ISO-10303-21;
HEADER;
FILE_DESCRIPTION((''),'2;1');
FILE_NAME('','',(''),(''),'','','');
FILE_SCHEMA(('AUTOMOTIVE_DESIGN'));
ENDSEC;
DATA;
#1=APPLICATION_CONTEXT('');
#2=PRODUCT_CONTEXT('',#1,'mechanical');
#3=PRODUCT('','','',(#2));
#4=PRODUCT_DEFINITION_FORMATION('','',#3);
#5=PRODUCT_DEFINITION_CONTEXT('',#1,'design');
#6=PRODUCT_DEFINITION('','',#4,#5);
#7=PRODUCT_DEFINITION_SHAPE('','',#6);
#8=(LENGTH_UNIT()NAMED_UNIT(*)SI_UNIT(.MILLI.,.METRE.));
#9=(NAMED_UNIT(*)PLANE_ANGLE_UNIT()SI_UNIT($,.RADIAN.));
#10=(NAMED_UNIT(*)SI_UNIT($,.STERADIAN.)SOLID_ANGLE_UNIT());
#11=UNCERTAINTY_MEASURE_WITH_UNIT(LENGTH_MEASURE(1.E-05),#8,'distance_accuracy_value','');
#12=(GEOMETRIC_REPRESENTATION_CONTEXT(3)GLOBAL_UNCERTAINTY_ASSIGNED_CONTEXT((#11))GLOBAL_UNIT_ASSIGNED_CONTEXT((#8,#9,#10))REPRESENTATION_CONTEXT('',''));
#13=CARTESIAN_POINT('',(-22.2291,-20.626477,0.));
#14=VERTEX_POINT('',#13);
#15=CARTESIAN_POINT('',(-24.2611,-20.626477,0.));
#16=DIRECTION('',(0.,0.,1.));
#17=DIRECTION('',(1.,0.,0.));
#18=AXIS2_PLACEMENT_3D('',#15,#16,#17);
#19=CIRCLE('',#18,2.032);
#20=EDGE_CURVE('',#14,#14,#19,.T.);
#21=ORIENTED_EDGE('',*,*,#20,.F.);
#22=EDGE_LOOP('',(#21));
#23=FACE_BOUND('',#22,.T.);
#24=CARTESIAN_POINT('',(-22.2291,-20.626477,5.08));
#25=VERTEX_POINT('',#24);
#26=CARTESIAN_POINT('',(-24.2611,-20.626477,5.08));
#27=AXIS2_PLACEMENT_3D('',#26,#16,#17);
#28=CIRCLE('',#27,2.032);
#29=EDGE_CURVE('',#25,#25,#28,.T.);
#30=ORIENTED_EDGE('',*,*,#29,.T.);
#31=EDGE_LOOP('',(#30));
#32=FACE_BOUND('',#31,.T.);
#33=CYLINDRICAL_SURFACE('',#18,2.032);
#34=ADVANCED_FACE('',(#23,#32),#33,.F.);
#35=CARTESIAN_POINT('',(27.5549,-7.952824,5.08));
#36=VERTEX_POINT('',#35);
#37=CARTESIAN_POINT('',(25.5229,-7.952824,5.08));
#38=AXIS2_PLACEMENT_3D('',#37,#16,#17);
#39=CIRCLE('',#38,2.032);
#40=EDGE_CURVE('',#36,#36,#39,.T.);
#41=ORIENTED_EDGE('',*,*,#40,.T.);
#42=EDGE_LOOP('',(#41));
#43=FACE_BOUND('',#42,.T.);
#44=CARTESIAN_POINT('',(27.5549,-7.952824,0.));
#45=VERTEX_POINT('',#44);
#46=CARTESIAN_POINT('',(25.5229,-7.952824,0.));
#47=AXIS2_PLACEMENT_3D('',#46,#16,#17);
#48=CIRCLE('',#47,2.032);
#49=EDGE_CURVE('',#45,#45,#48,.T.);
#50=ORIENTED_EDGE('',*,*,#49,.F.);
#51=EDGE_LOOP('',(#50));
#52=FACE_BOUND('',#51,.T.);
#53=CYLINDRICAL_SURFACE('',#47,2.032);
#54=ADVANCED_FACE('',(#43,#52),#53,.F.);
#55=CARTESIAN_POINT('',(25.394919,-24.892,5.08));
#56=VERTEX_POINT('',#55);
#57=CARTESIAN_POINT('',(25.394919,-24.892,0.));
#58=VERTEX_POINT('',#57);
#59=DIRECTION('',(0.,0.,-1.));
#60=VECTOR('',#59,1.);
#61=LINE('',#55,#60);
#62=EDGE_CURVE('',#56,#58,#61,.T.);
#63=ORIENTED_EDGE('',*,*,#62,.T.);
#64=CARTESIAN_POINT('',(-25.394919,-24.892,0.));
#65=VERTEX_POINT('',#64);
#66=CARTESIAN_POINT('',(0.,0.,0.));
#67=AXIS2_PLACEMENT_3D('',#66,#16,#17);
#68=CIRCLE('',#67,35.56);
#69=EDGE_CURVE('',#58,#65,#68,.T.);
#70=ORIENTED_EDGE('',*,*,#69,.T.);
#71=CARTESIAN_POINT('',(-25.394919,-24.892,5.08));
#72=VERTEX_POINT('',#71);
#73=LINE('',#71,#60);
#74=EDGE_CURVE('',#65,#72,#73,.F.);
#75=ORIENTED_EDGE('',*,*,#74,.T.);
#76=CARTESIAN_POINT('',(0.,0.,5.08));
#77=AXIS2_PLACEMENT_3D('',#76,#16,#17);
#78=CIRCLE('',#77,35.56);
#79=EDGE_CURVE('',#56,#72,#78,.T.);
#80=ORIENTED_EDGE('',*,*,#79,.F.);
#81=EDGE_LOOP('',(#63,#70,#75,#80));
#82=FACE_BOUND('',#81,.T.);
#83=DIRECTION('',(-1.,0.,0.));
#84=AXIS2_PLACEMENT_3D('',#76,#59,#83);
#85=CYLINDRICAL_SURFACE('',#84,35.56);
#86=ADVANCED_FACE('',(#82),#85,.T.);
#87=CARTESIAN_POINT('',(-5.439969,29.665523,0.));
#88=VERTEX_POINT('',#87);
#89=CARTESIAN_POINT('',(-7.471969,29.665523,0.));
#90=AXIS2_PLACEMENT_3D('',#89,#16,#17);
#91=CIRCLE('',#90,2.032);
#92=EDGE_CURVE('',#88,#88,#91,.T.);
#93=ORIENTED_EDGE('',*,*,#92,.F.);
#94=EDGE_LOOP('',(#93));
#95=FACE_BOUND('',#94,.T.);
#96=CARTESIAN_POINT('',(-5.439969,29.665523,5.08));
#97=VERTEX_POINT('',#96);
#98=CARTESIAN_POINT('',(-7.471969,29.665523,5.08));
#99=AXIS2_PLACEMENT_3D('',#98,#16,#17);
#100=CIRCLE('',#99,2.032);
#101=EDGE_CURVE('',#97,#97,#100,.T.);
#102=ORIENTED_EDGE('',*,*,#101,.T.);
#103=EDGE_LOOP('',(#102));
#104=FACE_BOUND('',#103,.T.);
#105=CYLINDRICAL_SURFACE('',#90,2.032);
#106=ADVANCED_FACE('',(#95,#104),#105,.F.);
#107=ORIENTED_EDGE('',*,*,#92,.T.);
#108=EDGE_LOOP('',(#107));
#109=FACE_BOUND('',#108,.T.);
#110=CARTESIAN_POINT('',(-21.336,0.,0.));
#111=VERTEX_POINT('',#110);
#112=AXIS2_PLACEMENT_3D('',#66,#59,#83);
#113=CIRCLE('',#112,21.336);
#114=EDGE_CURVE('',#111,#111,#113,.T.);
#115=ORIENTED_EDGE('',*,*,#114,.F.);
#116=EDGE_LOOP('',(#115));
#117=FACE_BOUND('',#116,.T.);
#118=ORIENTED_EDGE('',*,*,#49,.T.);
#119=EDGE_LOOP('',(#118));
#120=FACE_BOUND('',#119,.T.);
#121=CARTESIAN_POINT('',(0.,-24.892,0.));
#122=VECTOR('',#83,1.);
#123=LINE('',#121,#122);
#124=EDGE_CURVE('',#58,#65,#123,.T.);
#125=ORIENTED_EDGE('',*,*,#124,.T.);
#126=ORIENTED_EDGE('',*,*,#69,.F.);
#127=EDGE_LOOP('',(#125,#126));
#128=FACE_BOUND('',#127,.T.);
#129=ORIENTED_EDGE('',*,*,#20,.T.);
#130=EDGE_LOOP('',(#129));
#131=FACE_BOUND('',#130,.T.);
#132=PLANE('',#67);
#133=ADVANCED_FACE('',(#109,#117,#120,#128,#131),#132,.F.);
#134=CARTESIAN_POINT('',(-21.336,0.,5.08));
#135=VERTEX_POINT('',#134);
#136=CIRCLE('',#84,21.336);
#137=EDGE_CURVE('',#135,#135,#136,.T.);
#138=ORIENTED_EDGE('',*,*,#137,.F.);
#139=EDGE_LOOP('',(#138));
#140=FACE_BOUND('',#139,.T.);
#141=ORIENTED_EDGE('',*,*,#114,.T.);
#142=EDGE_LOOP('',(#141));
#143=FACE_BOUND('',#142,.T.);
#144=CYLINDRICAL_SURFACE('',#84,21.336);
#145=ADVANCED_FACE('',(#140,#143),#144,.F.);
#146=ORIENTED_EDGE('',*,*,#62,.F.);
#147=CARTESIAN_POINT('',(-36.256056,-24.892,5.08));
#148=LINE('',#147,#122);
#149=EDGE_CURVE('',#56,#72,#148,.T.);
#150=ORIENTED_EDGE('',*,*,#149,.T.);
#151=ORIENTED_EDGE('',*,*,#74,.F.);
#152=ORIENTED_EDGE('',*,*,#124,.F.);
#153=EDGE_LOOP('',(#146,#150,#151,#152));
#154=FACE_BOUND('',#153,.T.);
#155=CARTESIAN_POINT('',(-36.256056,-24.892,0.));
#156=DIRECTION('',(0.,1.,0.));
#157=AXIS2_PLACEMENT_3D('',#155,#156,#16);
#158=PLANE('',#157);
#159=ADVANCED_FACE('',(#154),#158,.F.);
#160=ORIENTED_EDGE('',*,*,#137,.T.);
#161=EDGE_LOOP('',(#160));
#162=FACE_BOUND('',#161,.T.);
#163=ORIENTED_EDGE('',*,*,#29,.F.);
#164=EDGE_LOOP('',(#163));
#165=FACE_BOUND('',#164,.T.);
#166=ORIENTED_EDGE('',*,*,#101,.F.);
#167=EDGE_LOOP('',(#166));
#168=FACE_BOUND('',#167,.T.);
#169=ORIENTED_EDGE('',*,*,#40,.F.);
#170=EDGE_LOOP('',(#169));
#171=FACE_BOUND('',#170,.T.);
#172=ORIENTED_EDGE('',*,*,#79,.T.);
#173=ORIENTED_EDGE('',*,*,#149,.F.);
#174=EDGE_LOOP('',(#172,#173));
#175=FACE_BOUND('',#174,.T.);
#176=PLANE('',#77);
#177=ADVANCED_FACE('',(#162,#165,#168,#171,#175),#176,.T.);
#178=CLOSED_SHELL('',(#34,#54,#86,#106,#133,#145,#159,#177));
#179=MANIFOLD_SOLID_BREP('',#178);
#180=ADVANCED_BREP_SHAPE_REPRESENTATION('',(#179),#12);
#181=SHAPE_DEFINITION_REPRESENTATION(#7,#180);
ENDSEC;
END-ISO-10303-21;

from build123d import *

# Parameters (mm, degrees)
SKETCH1_R           = 35.56
BOSS_EXTRUDE1_DEPTH = 5.08
CUT_EXTRUDE1_DEPTH  = 51.545361805
SKETCH7_R           = 2.032
CUT_EXTRUDE2_DEPTH  = 51.545361805
SKETCH8_R           = 21.336
CUT_EXTRUDE3_DEPTH  = 51.545361805


with BuildPart() as part:
    # Sketch1 → Boss-Extrude1 (new body)
    with BuildSketch(Plane.XY):
        Circle(SKETCH1_R)
    extrude(amount=BOSS_EXTRUDE1_DEPTH)

    # Sketch2 → Cut-Extrude1 (cut, through all)
    with BuildSketch(Plane.XY.offset(5.08)):
        Polygon((0, -35.56), (-36.256055522, -35.56), (-36.256055522, -24.892), (33.75035888, -24.892), (33.75035888, -35.56), align=None)
    extrude(amount=-CUT_EXTRUDE1_DEPTH, mode=Mode.SUBTRACT)

    # Sketch7 → Cut-Extrude2 (cut, through all)
    with BuildSketch(Plane.XY.offset(5.08)):
        with Locations((-24.261099887, -20.626476503)):
            Circle(SKETCH7_R)
        with Locations((-7.471969114, 29.665523497)):
            Circle(SKETCH7_R)
        with Locations((25.522900113, -7.952823738)):
            Circle(SKETCH7_R)
    extrude(amount=-CUT_EXTRUDE2_DEPTH, mode=Mode.SUBTRACT)

    # Sketch8 → Cut-Extrude3 (cut, through all)
    with BuildSketch(Plane(origin=(0, 0, 0), x_dir=(-1, 0, 0), z_dir=(0, 0, -1))):
        Circle(SKETCH8_R)
    extrude(amount=-CUT_EXTRUDE3_DEPTH, mode=Mode.SUBTRACT)


solid = part.part
